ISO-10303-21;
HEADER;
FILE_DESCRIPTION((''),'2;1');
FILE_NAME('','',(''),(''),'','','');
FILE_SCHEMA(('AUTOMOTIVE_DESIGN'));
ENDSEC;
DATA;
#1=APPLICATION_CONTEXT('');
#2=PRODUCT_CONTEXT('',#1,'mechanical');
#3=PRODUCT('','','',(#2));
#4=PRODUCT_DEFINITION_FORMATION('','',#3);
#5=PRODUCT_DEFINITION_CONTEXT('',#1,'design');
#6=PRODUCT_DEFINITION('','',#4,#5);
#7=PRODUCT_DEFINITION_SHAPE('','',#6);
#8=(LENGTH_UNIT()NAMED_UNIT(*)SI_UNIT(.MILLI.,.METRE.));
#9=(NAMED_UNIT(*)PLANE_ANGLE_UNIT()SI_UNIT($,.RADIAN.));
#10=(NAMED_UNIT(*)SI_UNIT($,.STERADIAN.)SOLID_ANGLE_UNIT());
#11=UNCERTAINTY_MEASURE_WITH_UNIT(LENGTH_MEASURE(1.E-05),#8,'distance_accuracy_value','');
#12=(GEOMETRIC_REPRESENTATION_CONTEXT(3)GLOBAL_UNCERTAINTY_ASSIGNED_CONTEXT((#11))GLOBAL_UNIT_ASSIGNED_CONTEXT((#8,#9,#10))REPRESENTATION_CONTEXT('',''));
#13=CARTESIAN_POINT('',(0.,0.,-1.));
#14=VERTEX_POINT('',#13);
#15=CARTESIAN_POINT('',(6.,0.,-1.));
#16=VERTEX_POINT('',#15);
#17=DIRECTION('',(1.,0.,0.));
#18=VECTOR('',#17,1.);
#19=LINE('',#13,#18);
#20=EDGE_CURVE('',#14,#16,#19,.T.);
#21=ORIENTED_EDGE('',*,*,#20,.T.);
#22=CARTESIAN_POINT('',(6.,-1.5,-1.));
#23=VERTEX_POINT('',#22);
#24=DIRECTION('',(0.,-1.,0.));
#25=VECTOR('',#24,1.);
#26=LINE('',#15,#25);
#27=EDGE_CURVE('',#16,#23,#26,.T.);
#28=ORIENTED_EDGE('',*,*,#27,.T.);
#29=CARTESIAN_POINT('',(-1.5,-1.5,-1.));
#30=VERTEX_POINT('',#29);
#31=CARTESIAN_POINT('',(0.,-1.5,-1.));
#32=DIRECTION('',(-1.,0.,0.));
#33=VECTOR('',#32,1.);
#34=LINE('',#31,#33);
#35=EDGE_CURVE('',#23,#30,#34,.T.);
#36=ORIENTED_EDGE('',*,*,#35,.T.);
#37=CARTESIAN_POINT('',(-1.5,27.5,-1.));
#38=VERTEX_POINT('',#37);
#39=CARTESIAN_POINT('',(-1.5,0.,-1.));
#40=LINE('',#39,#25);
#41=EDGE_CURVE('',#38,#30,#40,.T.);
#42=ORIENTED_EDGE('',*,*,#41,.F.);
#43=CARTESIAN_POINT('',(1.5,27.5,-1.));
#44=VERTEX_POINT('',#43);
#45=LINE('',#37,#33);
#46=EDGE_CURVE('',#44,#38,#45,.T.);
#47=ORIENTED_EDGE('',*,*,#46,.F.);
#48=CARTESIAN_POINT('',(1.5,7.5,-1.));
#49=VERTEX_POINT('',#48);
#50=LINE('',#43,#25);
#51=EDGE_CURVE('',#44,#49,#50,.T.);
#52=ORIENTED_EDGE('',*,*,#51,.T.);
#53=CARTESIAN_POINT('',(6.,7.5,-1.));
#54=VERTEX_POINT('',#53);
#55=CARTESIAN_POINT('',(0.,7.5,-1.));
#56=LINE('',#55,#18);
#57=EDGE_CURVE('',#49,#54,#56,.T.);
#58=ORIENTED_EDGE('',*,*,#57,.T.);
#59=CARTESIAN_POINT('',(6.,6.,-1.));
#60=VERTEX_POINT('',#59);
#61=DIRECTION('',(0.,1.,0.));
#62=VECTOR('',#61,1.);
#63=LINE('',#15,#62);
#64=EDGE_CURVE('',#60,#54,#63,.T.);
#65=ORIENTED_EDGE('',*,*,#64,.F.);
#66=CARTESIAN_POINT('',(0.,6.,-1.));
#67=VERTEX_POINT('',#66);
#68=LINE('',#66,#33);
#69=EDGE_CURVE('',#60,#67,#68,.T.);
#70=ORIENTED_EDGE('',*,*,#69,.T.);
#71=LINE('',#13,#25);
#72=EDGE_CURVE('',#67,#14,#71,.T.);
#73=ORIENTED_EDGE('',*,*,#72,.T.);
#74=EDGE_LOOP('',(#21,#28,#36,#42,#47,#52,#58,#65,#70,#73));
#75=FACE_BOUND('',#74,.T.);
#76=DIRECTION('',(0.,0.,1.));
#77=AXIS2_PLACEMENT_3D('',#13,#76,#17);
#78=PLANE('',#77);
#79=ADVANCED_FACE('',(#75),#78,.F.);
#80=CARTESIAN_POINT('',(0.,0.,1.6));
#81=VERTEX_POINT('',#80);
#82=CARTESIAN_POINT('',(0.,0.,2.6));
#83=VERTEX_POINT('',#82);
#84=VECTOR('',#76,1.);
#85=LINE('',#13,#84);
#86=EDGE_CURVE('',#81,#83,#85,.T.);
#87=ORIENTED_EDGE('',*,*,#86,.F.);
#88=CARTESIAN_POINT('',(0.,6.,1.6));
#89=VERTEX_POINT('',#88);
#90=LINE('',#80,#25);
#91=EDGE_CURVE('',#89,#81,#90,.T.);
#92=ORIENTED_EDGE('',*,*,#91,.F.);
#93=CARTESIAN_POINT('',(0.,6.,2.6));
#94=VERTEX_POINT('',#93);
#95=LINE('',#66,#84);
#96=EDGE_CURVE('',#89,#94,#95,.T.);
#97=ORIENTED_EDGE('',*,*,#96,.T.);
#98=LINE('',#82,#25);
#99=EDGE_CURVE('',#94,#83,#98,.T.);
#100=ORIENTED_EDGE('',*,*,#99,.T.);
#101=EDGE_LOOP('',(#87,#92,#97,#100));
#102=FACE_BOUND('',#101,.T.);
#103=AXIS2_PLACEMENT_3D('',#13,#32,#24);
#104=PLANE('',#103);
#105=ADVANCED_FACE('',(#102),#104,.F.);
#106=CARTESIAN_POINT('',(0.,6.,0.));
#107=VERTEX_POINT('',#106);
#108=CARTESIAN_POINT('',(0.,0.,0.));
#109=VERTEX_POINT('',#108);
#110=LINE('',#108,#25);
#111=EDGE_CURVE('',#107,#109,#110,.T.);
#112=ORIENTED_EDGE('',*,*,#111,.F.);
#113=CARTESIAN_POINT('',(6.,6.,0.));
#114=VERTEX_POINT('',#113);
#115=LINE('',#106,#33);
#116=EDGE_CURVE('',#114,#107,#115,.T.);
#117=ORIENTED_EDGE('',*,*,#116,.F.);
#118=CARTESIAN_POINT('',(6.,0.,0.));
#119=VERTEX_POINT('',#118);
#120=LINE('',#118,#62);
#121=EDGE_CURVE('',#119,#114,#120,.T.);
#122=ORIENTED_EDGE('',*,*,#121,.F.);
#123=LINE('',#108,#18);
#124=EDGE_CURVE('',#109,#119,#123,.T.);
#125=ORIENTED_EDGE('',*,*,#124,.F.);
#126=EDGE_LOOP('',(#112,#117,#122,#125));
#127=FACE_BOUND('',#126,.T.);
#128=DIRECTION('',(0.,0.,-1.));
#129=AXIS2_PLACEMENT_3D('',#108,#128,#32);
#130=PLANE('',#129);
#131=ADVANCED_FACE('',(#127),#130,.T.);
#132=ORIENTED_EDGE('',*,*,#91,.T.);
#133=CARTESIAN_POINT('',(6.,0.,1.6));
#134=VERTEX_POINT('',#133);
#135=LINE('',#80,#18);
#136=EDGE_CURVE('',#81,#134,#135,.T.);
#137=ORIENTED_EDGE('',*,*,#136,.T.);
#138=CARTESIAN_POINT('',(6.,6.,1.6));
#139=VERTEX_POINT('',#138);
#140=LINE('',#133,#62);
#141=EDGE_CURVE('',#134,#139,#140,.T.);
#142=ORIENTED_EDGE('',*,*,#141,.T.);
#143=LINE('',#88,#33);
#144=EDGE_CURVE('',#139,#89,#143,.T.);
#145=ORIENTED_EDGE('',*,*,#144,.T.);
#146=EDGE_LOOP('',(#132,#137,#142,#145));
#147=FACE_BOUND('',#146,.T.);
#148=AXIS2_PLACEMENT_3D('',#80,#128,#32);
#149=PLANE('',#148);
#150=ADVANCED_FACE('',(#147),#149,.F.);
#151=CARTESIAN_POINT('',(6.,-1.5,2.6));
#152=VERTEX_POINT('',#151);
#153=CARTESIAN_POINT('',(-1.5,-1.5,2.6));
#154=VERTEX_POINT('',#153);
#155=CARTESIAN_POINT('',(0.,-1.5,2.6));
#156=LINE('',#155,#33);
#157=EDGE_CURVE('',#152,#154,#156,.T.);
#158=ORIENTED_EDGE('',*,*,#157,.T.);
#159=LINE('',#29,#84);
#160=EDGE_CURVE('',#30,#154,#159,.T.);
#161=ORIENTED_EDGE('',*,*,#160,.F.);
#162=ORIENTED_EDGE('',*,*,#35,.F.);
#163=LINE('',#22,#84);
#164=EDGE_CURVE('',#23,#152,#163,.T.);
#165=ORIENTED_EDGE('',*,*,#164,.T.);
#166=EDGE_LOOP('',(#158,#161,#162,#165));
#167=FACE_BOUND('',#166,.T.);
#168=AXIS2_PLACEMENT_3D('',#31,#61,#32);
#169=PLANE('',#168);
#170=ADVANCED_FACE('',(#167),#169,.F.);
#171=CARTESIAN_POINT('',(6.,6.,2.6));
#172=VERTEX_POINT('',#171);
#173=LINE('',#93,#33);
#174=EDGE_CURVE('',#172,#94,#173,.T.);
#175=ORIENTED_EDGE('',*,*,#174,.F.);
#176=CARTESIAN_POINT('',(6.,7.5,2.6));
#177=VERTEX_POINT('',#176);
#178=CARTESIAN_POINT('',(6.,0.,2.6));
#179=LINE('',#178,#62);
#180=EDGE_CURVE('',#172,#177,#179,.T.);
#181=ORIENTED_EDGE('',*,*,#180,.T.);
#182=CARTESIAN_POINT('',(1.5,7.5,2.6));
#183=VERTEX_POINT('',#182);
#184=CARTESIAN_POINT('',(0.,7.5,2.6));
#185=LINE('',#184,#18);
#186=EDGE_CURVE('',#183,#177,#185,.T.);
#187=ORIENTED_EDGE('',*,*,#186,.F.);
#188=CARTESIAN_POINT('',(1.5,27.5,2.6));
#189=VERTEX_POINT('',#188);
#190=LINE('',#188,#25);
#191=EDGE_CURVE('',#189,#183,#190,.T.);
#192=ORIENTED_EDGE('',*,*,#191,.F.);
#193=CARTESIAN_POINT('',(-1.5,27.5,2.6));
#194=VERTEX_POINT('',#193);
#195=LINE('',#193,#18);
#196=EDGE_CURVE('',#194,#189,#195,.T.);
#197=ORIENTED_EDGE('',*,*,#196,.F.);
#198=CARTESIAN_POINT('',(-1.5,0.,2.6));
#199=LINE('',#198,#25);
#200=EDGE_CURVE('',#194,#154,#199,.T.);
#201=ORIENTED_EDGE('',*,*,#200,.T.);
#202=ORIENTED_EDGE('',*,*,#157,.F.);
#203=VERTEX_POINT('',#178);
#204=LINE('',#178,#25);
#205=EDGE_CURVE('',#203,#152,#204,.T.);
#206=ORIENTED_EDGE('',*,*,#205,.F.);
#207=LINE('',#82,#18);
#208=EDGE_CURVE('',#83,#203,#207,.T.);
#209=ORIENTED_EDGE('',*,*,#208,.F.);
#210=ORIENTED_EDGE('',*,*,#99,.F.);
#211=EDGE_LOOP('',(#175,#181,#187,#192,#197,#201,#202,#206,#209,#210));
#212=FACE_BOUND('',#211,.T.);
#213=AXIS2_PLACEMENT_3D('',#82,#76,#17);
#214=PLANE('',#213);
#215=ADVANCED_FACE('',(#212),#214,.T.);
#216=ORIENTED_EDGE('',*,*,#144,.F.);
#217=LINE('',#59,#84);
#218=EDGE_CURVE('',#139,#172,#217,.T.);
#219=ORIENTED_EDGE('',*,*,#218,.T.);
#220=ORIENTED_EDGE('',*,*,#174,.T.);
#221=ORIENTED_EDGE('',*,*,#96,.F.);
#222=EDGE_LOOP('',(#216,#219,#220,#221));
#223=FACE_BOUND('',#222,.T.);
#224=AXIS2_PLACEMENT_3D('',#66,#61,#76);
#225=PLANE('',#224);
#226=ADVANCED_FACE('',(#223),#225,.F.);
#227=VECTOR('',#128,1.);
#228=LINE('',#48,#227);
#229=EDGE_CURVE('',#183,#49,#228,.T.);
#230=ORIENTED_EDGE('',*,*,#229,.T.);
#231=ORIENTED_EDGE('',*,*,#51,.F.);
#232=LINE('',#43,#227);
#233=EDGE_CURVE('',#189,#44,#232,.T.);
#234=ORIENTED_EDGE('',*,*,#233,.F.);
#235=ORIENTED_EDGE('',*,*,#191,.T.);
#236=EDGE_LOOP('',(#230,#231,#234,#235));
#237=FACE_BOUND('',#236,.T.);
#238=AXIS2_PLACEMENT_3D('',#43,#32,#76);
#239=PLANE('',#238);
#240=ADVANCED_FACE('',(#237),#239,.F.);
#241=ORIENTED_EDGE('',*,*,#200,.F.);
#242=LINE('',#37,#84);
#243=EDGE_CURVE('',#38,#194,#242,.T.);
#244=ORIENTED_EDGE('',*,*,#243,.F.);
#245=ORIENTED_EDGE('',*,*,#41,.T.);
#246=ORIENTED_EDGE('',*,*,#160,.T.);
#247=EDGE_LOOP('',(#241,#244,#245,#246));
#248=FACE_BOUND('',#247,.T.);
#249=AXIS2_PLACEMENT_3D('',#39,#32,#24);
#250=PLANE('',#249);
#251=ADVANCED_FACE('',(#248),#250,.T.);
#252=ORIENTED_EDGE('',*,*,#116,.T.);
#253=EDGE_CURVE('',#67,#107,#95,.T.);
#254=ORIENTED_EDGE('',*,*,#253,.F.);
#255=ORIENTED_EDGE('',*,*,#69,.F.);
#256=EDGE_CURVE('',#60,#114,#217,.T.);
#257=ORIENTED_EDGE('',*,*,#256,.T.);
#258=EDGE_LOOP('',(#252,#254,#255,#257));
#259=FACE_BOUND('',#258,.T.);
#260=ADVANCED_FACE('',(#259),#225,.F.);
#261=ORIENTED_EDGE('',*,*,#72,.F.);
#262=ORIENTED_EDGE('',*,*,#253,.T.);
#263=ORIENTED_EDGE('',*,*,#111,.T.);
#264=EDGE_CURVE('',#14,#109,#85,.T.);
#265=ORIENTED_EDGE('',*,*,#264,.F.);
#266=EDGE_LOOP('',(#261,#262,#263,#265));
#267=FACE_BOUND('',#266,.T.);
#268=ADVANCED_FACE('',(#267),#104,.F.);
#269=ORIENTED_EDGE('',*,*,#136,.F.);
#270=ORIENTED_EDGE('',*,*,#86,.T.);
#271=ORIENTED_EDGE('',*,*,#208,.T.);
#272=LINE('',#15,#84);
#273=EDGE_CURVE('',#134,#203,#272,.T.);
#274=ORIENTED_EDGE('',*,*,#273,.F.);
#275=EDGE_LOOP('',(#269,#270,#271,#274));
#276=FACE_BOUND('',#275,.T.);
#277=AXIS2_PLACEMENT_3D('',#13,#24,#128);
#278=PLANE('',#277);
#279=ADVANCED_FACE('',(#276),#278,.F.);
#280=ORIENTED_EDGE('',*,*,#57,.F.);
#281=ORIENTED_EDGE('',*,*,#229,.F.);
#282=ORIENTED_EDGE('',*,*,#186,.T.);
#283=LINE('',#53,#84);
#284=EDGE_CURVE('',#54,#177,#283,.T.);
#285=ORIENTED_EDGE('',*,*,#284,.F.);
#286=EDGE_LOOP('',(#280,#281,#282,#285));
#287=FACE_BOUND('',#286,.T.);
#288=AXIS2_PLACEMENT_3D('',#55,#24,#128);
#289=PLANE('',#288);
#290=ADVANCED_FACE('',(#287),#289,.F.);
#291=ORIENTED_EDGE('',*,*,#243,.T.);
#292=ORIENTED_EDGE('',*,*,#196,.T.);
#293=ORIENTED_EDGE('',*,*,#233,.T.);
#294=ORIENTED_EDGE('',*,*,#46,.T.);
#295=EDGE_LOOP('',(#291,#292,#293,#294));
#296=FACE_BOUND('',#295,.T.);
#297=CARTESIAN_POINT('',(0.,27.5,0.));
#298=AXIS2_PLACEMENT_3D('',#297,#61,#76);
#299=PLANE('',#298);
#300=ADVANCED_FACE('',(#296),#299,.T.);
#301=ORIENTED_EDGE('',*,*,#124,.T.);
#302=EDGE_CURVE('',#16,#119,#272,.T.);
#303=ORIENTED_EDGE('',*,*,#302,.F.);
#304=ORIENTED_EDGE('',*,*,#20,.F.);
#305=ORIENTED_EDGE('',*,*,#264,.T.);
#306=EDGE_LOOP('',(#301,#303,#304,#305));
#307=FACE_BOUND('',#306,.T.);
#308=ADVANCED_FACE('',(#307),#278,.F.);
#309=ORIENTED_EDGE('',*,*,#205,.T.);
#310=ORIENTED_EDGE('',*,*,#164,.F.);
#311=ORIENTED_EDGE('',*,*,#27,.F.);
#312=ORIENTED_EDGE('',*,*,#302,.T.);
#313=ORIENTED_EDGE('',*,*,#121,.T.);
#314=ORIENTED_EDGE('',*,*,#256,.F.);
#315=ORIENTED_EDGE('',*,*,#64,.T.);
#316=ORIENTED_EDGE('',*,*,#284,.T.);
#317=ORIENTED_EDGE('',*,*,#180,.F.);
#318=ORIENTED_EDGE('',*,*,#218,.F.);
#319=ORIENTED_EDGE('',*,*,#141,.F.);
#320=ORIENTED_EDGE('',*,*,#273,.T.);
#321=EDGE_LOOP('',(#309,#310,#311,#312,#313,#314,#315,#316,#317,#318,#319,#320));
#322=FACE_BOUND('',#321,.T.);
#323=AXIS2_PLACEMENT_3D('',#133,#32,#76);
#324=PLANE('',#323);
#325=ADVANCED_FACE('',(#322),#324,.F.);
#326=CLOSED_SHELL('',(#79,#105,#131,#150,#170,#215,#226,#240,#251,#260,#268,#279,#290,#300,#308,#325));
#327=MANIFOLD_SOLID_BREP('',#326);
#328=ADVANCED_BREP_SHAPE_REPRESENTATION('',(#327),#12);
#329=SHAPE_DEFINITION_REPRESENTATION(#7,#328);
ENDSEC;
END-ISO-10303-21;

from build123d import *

# Parameters (mm, degrees)
ESQUISSE1_W             = 6
ESQUISSE1_H             = 6
BOSS_EXTRU_3_DEPTH      = 1.6
BOSS_EXTRU_4_DEPTH      = 1
BOSS_EXTRU_4_DEPTH_BACK = 2.6
ESQUISSE3_W             = 6
ESQUISSE3_H             = 1.5
ESQUISSE6_W             = 3
ESQUISSE6_H             = 3.6
BOSS_EXTRU_7_DEPTH      = 20


with BuildPart() as part:
    # Esquisse1 → Boss.-Extru.3 (new body)
    with BuildSketch(Plane.XY):
        with Locations((3, 3)):
            Rectangle(ESQUISSE1_W, ESQUISSE1_H)
    extrude(amount=BOSS_EXTRU_3_DEPTH)

    # Esquisse3 → Boss.-Extru.4 (add, two sides: drawn at the far end of the back side and taken through both)
    with BuildSketch(Plane.XY.offset(1.6).offset(-BOSS_EXTRU_4_DEPTH_BACK)):
        with Locations((3, 6.75)):
            Rectangle(ESQUISSE3_W, ESQUISSE3_H)
        Polygon((0, 7.5), (-1.5, 7.5), (-1.5, -1.5), (0, -1.5), (0, 0), (0, 6), align=None)
        with Locations((3, -0.75)):
            Rectangle(ESQUISSE3_W, ESQUISSE3_H)
    extrude(amount=BOSS_EXTRU_4_DEPTH + BOSS_EXTRU_4_DEPTH_BACK)

    # Esquisse6 → Boss.-Extru.7 (add)
    with BuildSketch(Plane(origin=(0, 7.5, 0), x_dir=(1, 0, 0), z_dir=(0, 1, 0))):
        with Locations((0, -0.8)):
            Rectangle(ESQUISSE6_W, ESQUISSE6_H)
    extrude(amount=BOSS_EXTRU_7_DEPTH)


solid = part.part
